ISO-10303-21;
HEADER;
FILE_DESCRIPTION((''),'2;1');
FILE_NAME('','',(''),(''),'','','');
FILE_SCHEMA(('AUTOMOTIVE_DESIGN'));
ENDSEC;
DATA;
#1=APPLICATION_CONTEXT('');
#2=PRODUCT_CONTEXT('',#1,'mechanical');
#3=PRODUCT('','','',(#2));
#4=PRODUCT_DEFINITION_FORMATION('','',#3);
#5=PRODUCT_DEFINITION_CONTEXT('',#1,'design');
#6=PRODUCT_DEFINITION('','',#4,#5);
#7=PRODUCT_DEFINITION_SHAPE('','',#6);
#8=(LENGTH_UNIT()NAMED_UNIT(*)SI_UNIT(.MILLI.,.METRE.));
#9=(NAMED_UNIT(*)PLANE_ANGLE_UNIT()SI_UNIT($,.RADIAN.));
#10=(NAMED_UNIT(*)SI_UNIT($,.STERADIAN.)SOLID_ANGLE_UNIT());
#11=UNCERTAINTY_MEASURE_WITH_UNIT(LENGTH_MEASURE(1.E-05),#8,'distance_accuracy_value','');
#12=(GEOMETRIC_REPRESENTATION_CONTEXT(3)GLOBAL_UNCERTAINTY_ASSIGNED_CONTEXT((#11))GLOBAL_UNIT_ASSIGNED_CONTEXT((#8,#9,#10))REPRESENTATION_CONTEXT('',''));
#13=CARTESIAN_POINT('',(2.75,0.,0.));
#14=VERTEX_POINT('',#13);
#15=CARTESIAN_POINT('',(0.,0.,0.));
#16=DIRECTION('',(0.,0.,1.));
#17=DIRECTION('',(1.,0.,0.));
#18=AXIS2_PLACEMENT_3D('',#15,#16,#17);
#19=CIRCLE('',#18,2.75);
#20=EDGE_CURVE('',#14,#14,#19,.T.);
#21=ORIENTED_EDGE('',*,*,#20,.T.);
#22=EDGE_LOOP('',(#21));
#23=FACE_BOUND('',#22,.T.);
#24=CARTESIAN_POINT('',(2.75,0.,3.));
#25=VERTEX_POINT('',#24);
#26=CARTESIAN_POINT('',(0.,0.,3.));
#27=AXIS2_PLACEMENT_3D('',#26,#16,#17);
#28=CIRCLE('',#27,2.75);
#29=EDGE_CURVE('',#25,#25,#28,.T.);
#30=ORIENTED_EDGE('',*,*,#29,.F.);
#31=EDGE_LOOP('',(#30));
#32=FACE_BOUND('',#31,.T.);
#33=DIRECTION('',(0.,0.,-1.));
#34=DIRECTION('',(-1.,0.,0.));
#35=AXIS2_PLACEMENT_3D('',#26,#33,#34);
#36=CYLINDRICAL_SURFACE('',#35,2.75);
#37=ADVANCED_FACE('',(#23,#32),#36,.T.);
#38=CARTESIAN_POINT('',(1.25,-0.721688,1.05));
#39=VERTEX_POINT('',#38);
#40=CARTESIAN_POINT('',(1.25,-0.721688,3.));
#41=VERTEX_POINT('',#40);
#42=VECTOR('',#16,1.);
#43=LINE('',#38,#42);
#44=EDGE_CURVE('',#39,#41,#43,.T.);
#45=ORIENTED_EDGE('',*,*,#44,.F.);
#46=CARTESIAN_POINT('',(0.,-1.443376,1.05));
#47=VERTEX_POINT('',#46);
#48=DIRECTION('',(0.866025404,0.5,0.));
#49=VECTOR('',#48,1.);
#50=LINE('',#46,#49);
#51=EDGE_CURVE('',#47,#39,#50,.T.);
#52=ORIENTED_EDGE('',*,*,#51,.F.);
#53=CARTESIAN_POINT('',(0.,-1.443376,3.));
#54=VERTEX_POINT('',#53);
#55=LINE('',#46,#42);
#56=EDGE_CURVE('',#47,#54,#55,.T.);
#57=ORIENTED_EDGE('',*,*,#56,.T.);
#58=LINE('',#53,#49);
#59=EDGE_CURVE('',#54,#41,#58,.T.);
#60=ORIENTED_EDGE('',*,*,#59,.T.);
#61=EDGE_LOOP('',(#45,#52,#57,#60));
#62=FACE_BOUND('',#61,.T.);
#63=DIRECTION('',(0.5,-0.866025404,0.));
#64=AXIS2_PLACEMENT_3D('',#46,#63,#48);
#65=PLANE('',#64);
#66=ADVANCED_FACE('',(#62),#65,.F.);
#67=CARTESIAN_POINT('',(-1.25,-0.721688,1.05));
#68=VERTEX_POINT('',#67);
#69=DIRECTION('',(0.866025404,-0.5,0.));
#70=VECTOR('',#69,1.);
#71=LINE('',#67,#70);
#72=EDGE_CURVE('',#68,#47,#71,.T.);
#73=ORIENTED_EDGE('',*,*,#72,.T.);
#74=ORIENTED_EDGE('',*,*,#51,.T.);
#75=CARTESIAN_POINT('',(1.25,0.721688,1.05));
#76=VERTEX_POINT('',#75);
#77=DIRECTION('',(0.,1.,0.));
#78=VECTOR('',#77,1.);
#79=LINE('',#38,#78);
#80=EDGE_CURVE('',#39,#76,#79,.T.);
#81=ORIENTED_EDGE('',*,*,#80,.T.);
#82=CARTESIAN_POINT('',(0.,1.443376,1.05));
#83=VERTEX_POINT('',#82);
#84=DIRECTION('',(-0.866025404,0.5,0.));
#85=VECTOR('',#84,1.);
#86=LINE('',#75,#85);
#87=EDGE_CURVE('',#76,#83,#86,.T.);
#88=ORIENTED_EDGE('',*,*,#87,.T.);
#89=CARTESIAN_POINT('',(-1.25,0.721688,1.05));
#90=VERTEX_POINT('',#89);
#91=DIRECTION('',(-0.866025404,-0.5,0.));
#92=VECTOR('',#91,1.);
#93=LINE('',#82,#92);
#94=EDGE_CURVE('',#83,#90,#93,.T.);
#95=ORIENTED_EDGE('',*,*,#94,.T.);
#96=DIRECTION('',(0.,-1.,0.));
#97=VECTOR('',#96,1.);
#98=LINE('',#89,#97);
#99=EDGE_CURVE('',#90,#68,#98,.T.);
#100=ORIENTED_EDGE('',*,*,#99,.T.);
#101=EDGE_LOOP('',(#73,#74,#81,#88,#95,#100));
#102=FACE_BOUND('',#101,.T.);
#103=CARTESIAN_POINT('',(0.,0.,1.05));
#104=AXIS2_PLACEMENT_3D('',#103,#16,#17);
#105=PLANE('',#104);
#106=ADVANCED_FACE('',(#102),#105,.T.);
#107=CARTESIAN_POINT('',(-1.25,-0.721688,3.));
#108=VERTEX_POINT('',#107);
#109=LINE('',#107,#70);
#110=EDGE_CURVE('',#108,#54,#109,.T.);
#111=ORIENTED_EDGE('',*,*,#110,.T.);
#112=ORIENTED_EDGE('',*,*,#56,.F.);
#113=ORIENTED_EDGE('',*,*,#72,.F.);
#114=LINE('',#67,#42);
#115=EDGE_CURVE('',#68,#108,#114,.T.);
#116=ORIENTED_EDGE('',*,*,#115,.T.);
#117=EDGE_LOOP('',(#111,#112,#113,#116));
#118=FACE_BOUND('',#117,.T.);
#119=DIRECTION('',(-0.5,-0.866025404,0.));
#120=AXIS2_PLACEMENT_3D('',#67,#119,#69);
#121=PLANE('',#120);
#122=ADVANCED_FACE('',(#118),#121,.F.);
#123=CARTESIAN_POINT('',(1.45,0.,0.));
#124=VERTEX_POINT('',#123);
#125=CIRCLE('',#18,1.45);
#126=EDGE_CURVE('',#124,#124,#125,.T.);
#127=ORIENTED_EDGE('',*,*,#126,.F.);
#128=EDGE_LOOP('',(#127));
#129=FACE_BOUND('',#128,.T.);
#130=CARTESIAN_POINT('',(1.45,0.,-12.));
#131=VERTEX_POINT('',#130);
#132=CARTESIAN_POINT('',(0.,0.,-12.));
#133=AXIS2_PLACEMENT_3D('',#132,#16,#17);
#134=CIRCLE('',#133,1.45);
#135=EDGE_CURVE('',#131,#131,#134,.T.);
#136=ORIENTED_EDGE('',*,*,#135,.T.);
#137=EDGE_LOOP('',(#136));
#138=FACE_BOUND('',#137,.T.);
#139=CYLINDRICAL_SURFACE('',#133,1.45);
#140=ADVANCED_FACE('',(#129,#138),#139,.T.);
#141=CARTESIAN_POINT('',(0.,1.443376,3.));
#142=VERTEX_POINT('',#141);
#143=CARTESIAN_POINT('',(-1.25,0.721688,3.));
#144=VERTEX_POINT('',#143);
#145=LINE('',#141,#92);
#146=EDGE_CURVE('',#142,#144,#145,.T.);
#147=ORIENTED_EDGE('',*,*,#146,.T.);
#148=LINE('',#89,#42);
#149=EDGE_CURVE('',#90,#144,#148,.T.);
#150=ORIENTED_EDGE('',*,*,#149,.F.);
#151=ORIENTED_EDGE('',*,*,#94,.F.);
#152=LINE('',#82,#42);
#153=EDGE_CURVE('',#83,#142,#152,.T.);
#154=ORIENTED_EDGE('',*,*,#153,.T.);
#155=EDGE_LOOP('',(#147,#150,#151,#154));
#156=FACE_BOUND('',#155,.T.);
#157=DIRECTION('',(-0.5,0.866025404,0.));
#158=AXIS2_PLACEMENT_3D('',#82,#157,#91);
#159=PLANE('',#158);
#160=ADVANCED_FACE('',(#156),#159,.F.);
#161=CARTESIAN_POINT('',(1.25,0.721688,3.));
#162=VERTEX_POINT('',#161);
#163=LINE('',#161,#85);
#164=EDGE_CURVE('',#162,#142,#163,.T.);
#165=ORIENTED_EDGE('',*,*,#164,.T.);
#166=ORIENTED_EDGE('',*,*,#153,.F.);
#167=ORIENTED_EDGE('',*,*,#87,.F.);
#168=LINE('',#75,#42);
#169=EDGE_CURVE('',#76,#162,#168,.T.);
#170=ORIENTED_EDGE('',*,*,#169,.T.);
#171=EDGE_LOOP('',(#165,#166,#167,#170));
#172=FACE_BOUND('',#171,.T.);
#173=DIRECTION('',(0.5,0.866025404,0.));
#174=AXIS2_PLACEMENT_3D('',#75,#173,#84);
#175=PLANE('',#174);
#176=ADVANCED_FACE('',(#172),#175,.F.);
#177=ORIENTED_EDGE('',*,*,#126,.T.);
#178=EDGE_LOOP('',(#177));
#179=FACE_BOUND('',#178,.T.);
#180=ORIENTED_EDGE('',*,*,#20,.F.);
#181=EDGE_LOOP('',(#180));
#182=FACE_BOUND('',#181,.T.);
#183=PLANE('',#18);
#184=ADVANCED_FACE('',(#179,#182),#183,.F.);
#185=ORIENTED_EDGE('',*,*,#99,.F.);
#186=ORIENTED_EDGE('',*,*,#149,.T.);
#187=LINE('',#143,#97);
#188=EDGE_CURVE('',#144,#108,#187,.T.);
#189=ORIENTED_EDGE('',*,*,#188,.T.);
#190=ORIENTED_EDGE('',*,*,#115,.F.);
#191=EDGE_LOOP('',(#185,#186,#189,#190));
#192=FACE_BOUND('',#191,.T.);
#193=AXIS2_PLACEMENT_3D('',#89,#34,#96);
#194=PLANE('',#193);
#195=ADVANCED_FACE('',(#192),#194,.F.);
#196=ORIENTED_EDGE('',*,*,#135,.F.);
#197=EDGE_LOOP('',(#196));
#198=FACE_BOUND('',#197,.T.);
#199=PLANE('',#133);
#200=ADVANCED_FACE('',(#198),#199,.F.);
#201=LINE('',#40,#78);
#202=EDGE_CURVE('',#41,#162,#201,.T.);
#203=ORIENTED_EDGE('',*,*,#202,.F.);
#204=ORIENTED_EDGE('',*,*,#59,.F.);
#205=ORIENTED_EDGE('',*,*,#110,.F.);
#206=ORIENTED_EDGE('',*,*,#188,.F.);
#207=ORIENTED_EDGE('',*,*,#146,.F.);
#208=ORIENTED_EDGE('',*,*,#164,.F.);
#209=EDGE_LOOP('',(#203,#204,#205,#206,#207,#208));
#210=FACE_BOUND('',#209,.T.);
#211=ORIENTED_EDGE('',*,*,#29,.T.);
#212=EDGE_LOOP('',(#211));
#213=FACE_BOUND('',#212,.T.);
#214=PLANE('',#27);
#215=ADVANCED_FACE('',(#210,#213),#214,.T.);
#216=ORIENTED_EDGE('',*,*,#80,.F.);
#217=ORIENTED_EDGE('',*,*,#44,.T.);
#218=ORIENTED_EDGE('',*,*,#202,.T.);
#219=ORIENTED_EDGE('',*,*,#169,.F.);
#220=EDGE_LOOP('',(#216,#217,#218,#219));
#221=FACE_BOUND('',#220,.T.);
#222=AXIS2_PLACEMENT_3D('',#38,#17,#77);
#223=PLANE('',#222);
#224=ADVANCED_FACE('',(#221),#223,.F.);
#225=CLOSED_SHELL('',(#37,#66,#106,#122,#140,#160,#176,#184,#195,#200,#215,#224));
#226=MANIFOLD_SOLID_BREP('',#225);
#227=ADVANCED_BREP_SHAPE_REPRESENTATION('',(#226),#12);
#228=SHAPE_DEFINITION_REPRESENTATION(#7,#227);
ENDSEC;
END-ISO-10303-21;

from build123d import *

# Parameters (mm, degrees)
SKETCH_1_R                     = 1.45
SHANK_THREADS_SIMPLIFIED_DEPTH = 12
SKETCH_2_R                     = 2.75
HEAD_DEPTH                     = 3
HEX_SOCKET_DEPTH               = 1.95


with BuildPart() as part:
    # 草图1 → Shank_threads_simplified (new body)
    with BuildSketch(Plane.XY):
        Circle(SKETCH_1_R)
    extrude(amount=-SHANK_THREADS_SIMPLIFIED_DEPTH)

    # 草图2 → Head (add)
    with BuildSketch(Plane.XY):
        Circle(SKETCH_2_R)
    extrude(amount=HEAD_DEPTH)

    # 草图3 → Hex_socket (cut)
    with BuildSketch(Plane.XY.offset(3)):
        Polygon((1.25, 0.721687836), (0, 1.443375673), (-1.25, 0.721687836), (-1.25, -0.721687836), (0, -1.443375673), (1.25, -0.721687836), align=None)
    extrude(amount=-HEX_SOCKET_DEPTH, mode=Mode.SUBTRACT)


solid = part.part
